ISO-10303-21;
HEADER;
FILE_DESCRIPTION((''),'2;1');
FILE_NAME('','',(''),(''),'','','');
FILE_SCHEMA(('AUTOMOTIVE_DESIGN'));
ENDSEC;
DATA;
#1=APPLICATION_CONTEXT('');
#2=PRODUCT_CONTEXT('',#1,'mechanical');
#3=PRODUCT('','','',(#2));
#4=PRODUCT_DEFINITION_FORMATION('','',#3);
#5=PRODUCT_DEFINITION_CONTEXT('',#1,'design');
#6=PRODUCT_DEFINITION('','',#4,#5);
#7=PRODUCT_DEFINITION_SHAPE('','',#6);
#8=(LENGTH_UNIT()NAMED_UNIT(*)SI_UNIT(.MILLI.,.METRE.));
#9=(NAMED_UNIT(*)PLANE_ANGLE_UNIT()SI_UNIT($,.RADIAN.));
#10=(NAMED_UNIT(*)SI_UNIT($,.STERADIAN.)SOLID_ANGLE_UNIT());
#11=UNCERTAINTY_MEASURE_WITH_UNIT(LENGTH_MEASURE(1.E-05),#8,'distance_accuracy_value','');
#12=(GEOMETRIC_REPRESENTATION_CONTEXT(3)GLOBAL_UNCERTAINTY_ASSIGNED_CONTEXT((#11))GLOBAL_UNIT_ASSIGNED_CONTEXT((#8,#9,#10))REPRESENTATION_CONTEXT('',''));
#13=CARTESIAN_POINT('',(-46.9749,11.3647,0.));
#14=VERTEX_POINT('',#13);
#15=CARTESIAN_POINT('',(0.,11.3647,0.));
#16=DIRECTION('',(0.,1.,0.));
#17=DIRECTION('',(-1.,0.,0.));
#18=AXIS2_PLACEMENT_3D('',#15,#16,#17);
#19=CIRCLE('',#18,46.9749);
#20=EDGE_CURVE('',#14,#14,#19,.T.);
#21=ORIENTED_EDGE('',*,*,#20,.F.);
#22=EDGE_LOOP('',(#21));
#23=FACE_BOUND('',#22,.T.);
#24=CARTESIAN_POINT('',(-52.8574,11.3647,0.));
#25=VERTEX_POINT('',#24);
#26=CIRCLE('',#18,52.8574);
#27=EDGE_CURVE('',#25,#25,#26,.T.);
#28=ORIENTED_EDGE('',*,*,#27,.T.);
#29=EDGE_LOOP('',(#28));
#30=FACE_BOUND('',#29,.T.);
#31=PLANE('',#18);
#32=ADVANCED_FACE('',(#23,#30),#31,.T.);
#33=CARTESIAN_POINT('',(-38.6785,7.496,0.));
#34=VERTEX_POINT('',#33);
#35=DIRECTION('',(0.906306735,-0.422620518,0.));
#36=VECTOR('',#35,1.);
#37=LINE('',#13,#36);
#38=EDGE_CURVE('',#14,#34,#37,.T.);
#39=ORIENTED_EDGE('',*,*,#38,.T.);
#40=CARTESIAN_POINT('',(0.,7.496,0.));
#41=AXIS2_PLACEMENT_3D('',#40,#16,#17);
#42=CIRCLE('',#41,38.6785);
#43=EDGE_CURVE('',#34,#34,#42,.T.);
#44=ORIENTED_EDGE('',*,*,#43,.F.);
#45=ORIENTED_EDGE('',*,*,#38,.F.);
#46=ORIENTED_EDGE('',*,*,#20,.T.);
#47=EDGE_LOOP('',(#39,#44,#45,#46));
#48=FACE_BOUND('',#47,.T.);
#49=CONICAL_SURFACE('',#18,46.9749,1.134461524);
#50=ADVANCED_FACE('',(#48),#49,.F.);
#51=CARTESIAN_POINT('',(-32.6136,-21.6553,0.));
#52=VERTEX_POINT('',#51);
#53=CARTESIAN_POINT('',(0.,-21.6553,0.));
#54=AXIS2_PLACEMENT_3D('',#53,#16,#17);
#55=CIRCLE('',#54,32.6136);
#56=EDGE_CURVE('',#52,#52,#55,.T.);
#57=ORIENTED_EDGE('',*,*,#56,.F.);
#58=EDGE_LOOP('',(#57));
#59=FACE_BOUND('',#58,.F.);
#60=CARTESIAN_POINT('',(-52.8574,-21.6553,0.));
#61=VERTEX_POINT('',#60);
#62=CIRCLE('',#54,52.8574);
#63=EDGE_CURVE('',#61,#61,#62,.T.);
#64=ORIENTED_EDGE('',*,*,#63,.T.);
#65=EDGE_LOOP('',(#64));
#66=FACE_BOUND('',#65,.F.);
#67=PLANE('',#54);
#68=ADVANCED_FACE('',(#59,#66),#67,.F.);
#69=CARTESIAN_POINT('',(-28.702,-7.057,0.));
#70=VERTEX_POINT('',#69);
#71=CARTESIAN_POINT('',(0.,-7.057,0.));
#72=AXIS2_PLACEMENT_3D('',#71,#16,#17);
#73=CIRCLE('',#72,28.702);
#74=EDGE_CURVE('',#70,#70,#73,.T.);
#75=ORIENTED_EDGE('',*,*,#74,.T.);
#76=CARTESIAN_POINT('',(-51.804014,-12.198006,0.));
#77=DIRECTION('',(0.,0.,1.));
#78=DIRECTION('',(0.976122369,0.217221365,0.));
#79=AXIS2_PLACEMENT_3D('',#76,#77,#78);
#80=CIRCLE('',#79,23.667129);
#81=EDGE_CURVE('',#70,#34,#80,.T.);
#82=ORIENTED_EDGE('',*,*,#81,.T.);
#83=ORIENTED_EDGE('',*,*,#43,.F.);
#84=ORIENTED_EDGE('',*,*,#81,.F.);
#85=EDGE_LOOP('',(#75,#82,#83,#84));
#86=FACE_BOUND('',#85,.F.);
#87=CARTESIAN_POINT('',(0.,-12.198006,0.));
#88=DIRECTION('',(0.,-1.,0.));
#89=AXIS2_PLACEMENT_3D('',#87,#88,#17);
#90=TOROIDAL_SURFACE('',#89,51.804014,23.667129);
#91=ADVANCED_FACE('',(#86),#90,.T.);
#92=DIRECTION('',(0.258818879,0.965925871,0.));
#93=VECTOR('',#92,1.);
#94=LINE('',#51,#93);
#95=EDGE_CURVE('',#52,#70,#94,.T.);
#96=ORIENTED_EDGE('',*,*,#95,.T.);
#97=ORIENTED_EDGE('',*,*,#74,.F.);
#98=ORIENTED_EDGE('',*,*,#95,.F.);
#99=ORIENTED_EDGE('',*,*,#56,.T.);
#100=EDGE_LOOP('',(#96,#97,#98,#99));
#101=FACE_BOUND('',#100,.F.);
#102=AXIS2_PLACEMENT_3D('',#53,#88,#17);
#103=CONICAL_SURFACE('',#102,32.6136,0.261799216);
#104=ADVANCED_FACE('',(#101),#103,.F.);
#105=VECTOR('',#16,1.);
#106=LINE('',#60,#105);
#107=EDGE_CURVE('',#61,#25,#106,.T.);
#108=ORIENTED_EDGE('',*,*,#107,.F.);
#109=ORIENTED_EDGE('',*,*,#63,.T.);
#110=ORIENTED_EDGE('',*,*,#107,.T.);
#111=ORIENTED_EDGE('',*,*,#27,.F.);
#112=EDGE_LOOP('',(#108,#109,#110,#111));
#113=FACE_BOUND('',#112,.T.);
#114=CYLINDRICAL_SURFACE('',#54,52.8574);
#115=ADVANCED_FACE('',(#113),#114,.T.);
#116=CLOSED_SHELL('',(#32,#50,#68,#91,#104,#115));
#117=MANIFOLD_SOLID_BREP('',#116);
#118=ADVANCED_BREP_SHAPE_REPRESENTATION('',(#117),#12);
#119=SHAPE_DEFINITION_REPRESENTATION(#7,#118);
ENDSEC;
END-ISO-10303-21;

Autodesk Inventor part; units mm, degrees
ref_plane "YZ Plane" through (0, 0, 0) normal (1, 0, 0) x (0, 1, 0)
ref_plane "XZ Plane" through (0, 0, 0) normal (0, 1, 0) x (-1, 0, 0)
ref_plane "XY Plane" through (0, 0, 0) normal (0, 0, 1) x (1, 0, 0)
sketch "Sketch1" plane through (0, 0, 0) normal (0, 0, 1) x (1, 0, 0)
  line L0 (-52.8574, -21.6553) -> (-32.6136, -21.6553)
  line L1 (-32.6136, -21.6553) -> (-28.702, -7.057)
  line L2 (-52.8574, -21.6553) -> (-52.8574, 11.3647)
  line L3 (-52.8574, 11.3647) -> (-47.8536, 11.3647) construction
  line L4 (0, -28.2593) -> (0, 17.9687) projected
  line L5 (-52.8574, 11.3647) -> (-46.9749, 11.3647)
  line L6 (-46.9749, 11.3647) -> (-38.6785, 7.496)
  arc A0 (-28.702, -7.057) -> (-38.6785, 7.496) centre (-51.804, -12.198) ccw
  point P0 (0, 0)
  dimension "d0" = 105
  dimension "d1" = 20.2438
  dimension "d2" = 32.6136
  dimension "d3" = 28.702
  dimension "d4" = 33.02
  dimension "d9" = 5.0038
  dimension "d10" = 25
revolve "Revolution1" add sketch "Sketch1" angle 360 about axis through (0, -10, 0) along (0, 1, 0)
properties part number "Graphite"
